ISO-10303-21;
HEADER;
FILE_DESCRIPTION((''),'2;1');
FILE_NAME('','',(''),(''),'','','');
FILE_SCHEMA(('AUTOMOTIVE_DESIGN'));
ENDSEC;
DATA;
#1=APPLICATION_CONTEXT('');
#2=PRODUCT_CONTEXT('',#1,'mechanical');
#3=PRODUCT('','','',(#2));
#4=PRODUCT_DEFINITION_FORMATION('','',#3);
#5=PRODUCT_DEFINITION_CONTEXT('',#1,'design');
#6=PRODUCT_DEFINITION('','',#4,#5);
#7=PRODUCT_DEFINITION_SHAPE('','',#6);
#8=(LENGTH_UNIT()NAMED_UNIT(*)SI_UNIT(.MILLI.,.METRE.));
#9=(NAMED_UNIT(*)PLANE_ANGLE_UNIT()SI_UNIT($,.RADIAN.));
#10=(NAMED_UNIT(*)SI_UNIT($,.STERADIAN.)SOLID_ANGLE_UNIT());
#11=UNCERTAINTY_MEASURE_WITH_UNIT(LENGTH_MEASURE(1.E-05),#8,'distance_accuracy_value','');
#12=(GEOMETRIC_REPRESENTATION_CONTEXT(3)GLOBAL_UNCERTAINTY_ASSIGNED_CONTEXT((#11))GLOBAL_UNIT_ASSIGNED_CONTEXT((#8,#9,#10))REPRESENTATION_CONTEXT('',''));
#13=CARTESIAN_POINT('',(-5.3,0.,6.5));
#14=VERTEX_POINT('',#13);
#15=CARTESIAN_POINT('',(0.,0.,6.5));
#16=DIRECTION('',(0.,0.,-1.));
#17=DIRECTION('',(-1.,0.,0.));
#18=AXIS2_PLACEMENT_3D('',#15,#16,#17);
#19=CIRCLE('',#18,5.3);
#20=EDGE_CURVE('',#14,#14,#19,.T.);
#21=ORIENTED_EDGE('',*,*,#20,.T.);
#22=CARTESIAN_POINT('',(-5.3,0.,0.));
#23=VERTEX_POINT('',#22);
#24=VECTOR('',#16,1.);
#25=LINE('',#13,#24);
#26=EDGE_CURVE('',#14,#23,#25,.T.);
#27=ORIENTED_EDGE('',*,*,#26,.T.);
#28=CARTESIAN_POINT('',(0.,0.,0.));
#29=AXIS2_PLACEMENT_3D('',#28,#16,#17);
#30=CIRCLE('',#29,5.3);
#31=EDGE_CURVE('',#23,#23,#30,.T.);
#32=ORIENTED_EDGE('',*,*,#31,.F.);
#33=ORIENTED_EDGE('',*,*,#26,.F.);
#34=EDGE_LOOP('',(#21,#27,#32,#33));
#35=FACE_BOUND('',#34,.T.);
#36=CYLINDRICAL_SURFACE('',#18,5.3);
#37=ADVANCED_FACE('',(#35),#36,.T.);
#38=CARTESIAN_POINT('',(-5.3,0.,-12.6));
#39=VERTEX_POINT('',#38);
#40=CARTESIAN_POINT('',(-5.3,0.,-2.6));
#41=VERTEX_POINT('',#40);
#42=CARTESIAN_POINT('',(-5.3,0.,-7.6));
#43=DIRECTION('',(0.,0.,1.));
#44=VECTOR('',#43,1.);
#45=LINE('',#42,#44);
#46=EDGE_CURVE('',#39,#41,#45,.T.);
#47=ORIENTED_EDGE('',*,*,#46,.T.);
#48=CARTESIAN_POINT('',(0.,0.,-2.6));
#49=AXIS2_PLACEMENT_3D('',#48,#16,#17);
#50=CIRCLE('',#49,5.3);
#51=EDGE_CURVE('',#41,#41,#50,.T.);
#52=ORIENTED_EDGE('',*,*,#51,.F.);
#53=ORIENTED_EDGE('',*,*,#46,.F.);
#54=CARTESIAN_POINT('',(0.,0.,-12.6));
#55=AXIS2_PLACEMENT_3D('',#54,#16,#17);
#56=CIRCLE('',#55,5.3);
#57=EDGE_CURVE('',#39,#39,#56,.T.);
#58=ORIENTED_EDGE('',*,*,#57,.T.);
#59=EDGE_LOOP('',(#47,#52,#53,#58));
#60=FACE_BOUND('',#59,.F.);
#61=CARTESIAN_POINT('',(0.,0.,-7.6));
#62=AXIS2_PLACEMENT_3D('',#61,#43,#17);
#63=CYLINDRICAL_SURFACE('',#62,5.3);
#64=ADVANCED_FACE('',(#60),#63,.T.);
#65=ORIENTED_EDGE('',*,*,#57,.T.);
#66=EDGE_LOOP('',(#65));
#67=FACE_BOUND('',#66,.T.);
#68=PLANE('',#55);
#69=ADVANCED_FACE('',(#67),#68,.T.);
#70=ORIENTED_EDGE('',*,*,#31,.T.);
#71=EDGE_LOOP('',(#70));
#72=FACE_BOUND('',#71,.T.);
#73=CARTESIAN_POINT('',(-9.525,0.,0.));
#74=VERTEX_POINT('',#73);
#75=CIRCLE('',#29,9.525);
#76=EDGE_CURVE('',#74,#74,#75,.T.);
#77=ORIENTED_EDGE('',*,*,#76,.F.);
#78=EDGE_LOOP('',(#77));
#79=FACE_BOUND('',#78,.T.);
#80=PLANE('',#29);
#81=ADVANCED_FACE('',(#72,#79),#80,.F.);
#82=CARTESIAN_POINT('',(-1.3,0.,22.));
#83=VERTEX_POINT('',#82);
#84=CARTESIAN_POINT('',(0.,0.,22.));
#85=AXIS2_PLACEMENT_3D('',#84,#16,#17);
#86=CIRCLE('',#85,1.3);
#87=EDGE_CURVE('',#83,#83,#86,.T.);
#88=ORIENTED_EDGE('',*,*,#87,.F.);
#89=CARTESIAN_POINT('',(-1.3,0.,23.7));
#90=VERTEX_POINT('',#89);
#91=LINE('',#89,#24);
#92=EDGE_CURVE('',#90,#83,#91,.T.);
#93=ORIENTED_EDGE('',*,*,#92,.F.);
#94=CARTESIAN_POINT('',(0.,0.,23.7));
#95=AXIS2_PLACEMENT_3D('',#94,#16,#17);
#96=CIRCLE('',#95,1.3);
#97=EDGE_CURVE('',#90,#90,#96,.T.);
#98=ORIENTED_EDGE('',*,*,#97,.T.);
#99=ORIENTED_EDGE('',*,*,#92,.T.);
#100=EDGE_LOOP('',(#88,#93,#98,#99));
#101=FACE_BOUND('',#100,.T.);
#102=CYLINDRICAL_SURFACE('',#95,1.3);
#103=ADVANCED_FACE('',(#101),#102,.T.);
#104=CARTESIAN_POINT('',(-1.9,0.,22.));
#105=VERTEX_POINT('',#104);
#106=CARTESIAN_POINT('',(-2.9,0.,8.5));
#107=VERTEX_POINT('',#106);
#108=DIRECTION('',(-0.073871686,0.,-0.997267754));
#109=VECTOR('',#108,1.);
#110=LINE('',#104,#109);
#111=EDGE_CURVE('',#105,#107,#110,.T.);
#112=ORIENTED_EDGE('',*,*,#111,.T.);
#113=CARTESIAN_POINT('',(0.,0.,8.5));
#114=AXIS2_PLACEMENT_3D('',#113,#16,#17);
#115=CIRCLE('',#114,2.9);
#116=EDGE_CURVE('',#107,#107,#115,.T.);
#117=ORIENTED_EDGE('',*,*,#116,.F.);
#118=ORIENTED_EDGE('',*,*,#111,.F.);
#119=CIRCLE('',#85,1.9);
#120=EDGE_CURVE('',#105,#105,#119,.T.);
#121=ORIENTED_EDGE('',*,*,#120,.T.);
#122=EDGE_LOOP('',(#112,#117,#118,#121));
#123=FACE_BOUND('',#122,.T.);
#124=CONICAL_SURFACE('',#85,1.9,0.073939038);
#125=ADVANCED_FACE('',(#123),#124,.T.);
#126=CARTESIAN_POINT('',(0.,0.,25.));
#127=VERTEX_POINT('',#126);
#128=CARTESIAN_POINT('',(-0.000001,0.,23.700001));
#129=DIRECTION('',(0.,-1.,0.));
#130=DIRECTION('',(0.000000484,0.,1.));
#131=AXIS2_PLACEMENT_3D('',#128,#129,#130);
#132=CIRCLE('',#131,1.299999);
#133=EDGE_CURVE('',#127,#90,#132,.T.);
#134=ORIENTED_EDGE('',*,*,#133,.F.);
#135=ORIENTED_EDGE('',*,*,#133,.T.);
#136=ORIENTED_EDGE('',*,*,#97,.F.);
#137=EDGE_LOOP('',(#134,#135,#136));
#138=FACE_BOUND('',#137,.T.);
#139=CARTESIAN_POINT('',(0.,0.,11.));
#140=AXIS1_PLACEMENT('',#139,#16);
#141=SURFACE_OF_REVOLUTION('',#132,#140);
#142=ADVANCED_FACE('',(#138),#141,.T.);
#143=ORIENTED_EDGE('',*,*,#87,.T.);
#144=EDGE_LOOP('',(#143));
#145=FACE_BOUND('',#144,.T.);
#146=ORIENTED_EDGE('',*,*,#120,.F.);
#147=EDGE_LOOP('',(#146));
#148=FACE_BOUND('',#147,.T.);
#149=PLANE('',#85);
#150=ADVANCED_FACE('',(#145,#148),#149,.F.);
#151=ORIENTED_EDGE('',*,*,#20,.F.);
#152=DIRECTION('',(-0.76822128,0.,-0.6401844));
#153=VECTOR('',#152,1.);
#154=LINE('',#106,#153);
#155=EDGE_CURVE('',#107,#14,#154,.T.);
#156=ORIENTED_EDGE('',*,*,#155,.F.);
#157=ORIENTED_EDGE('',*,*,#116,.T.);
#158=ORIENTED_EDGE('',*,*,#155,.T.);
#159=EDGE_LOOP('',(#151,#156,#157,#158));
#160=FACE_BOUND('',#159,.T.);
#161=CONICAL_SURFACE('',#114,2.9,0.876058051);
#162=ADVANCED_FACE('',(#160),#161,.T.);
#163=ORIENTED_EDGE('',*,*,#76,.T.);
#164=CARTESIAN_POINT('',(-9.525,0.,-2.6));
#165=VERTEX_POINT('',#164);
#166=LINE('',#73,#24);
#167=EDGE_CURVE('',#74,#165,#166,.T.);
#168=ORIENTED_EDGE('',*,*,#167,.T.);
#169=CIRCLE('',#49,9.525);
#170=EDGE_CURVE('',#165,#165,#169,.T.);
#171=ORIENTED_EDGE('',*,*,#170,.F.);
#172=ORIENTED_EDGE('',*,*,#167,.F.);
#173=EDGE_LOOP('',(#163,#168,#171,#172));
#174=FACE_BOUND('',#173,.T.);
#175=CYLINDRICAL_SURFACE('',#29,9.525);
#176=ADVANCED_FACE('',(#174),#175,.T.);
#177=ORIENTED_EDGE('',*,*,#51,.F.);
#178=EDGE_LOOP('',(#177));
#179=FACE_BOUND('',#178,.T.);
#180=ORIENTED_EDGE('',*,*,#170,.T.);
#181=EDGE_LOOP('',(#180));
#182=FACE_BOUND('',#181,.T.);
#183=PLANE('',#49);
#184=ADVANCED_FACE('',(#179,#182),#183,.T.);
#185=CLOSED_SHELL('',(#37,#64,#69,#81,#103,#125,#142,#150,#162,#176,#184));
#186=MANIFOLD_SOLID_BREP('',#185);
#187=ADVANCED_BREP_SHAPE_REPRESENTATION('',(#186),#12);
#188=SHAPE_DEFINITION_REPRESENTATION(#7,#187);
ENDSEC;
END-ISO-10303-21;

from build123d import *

# Parameters (mm, degrees)
F0_W = 5.3
F0_H = 10


with BuildPart() as f1:
    # F0 (on Front) → F1 (revolve)
    with BuildSketch(Plane.XZ):
        Polygon((0, -2.6), (0, 0), (-5.3, 0), (-9.525, 0), (-9.525, -2.6), (-5.3, -2.6), align=None)
        Polygon((-5.3, 0), (0, 0), (0, 22), (-1.3, 22), (-1.9, 22), (-2.9, 8.5), (-5.3, 6.5), align=None)
        with Locations((-2.65, -7.6)):
            Rectangle(F0_W, F0_H)
        with BuildLine():
            Line((-1.3, 22), (0, 22))
            Line((0, 22), (0, 25))
            ThreePointArc((0, 25), (-0.919239, 24.619239), (-1.3, 23.7))
            Line((-1.3, 23.7), (-1.3, 22))
        make_face()
    revolve(axis=Axis((0, 0, 11), (0, 0, -1)))


solid = f1.part
